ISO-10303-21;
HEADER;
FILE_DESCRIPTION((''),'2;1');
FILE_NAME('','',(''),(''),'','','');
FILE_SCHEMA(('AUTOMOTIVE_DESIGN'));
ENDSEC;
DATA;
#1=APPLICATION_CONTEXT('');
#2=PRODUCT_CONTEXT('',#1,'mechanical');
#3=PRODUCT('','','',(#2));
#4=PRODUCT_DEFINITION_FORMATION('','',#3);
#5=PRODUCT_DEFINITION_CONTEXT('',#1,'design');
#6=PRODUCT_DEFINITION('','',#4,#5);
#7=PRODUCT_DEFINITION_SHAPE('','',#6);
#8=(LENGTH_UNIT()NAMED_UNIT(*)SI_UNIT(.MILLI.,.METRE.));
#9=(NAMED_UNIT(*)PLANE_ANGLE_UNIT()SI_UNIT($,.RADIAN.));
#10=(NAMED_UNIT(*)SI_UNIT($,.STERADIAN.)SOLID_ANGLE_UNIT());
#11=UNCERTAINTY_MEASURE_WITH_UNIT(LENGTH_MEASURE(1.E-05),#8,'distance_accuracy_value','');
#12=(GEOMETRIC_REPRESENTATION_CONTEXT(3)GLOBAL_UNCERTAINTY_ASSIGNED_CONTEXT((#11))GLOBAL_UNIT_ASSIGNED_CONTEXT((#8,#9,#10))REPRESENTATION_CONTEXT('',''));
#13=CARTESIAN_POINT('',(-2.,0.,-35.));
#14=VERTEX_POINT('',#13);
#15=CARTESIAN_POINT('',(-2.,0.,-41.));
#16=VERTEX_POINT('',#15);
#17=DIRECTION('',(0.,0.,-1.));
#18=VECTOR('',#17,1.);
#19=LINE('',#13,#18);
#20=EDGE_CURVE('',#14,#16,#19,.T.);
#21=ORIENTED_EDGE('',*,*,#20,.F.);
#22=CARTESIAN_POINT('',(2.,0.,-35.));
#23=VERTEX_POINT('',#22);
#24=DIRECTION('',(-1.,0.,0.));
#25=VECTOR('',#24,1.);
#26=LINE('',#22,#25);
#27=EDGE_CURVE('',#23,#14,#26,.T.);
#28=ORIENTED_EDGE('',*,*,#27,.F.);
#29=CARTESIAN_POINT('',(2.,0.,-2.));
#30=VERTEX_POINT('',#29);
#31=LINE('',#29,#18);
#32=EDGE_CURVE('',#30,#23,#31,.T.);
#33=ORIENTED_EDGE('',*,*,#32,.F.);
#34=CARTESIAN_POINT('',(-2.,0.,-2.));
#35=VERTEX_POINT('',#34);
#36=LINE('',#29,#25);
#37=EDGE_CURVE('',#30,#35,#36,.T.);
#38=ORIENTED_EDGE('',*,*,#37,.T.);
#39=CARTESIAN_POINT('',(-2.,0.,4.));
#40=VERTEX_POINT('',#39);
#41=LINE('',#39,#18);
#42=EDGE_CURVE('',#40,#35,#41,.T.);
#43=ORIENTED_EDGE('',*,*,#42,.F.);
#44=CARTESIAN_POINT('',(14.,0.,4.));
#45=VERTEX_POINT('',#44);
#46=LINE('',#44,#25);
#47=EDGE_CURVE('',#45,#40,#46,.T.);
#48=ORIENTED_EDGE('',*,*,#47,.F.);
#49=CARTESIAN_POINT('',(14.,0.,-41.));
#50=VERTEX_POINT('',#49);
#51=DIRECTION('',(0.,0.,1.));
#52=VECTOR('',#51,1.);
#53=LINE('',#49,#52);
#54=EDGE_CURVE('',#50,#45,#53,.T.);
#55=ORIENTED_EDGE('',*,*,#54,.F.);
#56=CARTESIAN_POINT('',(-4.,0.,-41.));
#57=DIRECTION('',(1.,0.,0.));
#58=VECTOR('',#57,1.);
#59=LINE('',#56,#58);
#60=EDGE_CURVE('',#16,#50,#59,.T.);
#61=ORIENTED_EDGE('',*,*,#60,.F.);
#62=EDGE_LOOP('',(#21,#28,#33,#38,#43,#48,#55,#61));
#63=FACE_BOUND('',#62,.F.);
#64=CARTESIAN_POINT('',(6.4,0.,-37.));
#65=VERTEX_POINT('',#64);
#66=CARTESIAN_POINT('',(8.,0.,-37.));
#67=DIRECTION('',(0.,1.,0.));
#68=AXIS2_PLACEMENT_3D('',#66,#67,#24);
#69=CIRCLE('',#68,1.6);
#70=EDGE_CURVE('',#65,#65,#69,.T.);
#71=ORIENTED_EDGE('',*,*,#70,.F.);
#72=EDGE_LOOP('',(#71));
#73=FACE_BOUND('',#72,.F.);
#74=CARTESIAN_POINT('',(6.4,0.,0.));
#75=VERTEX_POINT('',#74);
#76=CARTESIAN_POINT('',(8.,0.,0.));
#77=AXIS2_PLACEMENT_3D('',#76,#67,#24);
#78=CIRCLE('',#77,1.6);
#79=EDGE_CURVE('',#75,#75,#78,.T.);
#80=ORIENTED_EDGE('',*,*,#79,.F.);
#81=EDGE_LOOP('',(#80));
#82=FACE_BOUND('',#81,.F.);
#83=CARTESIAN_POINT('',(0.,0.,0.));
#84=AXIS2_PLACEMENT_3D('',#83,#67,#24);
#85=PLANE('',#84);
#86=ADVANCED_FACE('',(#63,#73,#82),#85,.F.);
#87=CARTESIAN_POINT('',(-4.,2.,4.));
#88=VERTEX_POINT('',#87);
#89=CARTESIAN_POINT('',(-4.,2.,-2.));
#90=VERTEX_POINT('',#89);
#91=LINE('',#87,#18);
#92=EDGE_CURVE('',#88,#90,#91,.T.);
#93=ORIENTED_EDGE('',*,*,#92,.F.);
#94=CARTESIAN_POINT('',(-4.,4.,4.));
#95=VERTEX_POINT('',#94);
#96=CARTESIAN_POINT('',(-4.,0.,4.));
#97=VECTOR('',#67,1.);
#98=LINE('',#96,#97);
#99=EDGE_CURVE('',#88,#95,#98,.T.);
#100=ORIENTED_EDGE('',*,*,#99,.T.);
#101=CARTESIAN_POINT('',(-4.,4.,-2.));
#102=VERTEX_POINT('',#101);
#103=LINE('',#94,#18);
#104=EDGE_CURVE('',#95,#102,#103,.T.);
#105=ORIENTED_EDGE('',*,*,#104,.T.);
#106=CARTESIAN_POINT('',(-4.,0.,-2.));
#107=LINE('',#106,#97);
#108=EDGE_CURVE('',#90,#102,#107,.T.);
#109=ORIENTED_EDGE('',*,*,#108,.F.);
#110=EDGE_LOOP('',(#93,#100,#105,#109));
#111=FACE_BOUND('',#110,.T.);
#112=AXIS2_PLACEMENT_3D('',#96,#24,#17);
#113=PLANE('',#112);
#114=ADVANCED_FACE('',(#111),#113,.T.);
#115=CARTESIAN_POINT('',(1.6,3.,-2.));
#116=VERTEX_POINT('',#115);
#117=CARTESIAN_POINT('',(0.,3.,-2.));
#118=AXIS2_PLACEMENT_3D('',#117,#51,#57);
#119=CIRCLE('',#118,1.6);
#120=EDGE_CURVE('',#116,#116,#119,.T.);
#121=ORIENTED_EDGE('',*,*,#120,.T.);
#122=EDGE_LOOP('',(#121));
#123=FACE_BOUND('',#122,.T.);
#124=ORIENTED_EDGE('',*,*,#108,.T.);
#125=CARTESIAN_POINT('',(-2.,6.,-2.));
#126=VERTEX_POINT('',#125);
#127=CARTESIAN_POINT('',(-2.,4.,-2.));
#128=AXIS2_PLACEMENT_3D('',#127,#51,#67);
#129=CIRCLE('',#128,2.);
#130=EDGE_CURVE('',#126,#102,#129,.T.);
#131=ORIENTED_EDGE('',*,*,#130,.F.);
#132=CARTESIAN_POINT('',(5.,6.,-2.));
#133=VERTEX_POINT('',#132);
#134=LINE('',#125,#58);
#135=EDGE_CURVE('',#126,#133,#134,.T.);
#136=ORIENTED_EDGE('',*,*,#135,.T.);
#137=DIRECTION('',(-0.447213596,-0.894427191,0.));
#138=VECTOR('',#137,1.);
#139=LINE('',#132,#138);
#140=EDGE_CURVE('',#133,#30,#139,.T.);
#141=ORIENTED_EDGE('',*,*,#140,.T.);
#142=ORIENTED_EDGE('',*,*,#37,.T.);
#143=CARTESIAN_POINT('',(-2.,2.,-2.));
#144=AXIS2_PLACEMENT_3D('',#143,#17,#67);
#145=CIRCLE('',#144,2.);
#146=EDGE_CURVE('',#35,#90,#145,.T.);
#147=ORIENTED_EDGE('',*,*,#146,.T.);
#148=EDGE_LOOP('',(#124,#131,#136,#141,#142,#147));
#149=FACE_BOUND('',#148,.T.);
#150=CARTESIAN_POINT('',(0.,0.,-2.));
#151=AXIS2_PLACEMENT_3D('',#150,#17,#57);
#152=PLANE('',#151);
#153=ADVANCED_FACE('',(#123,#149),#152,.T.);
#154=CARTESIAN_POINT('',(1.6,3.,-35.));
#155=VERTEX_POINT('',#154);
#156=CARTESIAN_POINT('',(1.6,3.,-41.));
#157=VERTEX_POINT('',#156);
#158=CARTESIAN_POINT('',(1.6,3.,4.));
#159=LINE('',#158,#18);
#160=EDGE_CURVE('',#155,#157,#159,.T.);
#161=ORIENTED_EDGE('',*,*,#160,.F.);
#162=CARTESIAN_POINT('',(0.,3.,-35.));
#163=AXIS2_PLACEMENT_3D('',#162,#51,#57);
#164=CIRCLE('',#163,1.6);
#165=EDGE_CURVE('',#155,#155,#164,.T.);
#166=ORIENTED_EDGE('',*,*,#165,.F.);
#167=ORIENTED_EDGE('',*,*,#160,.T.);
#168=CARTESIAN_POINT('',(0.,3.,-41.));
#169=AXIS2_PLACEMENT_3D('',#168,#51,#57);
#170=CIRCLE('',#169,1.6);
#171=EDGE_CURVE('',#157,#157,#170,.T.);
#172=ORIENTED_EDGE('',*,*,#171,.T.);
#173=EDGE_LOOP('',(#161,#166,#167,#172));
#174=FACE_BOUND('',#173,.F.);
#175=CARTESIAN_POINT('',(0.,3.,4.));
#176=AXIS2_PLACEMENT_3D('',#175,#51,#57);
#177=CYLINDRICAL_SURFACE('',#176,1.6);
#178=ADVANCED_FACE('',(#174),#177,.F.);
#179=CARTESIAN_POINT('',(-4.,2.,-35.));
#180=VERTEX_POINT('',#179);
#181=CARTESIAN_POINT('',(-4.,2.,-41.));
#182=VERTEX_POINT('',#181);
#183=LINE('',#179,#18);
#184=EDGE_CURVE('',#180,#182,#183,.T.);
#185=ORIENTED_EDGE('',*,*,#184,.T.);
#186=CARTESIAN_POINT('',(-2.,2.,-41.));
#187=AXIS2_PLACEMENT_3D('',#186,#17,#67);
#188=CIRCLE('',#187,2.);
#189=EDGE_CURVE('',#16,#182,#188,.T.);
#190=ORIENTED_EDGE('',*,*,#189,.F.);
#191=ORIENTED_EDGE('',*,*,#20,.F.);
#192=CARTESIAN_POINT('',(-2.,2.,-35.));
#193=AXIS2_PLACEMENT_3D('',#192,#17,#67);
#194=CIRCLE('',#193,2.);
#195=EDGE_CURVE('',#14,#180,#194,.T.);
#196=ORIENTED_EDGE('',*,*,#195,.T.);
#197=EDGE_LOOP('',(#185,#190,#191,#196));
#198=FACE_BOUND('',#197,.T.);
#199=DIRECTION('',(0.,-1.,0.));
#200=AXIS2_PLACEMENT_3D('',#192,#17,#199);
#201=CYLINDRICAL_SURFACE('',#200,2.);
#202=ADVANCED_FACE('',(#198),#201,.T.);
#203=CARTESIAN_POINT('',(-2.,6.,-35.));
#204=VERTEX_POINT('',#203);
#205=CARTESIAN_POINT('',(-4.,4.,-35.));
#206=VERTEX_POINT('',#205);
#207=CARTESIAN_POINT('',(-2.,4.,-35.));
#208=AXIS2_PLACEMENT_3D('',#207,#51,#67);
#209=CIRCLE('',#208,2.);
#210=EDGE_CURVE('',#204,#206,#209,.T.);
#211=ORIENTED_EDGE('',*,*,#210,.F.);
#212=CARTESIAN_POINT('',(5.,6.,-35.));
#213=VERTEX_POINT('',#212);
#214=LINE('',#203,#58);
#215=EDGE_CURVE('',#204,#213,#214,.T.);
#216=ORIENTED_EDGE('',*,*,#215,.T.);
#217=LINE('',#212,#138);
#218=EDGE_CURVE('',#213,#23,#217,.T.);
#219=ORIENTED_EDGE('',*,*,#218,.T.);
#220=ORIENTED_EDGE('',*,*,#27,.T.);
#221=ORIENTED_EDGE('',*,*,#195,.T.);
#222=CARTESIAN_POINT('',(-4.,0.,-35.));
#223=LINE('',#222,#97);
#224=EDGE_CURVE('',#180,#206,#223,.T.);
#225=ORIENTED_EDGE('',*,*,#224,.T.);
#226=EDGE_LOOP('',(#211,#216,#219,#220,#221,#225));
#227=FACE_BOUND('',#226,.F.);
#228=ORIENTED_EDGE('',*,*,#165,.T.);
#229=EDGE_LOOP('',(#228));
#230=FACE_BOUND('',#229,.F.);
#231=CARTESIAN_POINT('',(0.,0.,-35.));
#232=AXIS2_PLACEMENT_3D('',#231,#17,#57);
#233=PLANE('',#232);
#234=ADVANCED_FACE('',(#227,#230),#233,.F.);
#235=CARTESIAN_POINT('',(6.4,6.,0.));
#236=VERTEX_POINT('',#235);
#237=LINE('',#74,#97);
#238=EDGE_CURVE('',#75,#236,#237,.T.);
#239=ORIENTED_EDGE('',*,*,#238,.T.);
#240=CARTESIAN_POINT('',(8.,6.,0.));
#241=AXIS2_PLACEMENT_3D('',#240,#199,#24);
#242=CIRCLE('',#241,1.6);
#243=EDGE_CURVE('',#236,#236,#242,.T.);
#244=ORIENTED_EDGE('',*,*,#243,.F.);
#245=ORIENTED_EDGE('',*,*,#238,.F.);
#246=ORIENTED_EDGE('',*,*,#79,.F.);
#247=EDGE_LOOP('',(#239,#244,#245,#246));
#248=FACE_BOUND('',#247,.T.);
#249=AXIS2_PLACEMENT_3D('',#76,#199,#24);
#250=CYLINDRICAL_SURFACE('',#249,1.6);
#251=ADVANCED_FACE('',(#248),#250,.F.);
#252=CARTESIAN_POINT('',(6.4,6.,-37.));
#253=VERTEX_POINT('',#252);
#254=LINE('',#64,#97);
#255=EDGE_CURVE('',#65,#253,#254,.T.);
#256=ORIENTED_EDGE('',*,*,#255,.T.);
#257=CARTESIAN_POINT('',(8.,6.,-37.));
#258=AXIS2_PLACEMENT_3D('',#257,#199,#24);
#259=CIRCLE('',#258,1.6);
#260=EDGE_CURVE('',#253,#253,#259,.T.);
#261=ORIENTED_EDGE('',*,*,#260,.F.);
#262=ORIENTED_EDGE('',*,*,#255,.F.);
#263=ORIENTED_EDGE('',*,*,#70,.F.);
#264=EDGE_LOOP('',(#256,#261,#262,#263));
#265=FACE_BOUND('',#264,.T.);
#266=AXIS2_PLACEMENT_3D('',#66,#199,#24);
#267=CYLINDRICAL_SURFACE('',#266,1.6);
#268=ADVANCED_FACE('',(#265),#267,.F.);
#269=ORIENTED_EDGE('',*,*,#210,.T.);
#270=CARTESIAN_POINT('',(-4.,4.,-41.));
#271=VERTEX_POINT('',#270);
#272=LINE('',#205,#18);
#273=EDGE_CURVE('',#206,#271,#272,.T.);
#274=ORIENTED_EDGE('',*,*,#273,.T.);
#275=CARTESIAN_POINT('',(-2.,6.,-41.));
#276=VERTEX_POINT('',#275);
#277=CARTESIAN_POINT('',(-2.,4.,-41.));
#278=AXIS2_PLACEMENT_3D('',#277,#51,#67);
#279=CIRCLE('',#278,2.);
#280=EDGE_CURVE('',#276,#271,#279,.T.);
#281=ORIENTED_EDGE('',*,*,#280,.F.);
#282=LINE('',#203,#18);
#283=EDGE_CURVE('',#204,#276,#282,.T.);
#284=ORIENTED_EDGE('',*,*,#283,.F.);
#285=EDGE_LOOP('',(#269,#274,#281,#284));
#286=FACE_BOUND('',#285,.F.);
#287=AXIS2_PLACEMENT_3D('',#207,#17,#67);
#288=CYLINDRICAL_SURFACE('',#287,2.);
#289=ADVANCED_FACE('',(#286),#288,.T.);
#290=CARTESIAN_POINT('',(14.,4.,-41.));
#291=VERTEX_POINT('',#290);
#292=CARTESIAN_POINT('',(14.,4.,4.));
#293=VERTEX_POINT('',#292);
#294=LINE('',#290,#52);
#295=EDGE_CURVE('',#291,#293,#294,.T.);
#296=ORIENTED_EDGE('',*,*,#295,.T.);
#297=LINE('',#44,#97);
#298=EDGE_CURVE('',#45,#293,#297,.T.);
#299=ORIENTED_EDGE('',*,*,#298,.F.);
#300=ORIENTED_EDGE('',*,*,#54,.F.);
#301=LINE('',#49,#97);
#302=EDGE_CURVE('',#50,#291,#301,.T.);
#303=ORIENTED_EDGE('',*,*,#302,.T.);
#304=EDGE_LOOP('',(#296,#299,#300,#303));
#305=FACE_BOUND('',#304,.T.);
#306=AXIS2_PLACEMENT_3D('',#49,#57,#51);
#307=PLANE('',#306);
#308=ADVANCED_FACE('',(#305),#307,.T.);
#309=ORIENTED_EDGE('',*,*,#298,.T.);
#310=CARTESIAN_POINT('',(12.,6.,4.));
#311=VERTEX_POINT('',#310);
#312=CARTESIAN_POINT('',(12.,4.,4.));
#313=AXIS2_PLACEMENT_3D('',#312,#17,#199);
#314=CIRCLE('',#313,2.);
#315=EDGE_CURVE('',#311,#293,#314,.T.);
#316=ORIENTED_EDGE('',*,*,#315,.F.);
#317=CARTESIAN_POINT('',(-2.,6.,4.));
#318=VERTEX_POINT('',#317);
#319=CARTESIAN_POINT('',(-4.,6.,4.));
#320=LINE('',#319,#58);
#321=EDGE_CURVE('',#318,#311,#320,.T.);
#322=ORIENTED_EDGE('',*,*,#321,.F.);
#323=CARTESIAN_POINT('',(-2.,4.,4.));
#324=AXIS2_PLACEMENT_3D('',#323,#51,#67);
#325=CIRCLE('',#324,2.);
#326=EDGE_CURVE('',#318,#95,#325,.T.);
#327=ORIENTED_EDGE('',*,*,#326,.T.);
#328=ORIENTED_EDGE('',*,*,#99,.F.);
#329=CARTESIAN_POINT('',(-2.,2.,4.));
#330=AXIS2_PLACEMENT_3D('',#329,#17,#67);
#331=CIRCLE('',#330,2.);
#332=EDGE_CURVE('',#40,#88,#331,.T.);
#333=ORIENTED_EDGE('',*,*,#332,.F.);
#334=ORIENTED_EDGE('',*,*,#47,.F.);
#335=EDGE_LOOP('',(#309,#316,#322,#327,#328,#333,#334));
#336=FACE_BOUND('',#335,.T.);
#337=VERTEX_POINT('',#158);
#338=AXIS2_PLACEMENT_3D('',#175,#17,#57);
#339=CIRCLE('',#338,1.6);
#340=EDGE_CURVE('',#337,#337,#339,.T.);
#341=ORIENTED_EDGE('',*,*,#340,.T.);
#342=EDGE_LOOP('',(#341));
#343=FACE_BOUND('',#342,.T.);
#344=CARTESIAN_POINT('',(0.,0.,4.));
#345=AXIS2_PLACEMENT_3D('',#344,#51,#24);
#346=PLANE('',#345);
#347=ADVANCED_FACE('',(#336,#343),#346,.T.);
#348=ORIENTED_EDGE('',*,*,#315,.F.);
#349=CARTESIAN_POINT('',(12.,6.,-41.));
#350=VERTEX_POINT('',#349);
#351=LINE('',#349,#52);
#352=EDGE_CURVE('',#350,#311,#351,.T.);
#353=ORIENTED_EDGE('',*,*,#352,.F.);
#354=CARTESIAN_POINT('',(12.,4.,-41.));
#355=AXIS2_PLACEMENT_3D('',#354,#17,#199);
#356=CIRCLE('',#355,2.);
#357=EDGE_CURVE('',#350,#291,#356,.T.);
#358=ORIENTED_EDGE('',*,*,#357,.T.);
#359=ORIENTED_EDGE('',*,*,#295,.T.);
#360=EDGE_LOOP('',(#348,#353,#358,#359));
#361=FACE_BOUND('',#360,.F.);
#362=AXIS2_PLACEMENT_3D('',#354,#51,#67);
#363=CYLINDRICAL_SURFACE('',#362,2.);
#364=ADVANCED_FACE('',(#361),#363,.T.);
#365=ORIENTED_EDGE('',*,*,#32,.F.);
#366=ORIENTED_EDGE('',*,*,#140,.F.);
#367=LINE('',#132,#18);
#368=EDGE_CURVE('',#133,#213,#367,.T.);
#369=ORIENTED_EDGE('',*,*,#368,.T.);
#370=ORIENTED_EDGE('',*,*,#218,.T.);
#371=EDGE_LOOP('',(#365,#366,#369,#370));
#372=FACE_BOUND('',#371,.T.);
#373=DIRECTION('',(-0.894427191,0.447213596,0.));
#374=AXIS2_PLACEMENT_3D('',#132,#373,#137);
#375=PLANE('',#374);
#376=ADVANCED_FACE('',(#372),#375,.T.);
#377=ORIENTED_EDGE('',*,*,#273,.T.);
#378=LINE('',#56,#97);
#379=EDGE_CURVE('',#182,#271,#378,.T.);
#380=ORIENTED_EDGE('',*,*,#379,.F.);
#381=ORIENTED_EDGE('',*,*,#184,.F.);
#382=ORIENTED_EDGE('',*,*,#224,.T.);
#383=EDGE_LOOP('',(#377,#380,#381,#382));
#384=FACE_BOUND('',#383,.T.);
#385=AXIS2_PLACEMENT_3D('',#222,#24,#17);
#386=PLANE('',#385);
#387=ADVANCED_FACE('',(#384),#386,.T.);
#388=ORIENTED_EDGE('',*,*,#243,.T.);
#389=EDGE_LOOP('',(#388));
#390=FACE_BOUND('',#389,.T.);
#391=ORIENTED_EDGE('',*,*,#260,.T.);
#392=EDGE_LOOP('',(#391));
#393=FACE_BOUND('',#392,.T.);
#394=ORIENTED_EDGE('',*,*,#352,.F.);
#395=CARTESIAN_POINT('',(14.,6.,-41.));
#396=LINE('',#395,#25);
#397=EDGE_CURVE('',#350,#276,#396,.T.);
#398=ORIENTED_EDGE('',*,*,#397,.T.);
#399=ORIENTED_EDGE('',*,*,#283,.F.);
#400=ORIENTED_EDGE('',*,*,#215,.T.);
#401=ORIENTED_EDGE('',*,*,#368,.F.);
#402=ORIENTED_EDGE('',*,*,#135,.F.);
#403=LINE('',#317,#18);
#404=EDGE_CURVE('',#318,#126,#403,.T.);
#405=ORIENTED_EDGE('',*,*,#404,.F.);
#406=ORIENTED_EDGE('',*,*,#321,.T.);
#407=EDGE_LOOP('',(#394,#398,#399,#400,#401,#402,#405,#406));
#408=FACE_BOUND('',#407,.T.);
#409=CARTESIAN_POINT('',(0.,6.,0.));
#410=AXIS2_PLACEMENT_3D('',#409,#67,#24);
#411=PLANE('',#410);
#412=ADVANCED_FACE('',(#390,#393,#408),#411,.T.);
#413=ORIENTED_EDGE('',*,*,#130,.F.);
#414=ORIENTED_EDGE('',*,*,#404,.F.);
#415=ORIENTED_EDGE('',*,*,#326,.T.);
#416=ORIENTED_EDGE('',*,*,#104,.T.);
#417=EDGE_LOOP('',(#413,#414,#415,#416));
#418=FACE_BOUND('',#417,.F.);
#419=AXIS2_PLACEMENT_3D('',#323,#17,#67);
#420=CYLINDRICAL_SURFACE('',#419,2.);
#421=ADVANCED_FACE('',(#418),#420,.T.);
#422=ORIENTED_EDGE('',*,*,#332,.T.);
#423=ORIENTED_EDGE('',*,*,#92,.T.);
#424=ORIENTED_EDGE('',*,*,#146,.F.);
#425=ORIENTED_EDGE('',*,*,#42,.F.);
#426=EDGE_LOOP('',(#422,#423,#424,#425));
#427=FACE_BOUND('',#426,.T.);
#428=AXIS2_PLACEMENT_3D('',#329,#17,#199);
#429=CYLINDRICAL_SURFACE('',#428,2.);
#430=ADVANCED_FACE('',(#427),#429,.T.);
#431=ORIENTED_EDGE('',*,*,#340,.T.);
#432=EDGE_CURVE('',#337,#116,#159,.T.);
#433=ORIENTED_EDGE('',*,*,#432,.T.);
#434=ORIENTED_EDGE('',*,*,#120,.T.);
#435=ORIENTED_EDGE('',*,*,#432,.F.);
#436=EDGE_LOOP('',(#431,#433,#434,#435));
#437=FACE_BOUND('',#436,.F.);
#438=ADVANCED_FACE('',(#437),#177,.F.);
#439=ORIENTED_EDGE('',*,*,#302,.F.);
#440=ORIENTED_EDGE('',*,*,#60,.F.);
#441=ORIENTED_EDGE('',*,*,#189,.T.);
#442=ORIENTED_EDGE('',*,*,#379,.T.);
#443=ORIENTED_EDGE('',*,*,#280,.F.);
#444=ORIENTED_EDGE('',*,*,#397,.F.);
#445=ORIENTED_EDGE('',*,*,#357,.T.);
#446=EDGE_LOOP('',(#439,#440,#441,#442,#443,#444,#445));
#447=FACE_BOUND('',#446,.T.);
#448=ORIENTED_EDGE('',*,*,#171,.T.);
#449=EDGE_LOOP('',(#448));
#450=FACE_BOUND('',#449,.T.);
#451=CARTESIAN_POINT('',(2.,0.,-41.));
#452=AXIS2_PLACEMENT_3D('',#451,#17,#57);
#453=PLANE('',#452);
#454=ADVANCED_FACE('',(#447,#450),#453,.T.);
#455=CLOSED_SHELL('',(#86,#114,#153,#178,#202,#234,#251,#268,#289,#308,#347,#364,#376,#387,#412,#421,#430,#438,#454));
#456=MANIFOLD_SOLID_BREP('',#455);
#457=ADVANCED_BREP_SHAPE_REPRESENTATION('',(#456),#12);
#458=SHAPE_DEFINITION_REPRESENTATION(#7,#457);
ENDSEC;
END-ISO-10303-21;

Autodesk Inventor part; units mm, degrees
ref_plane "YZ Plane" through (0, 0, 0) normal (1, 0, 0) x (0, 1, 0)
ref_plane "XZ Plane" through (0, 0, 0) normal (0, 1, 0) x (-1, 0, 0)
ref_plane "XY Plane" through (0, 0, 0) normal (0, 0, 1) x (1, 0, 0)
sketch "Эскиз1" plane through (0, 0, 0) normal (0, 1, 0) x (-1, 0, 0)
  line L0 (0, 0) -> (-8, 0)
  line L1 (-8, 0) -> (-8, -37)
  line L2 (-8, -37) -> (0, -37)
  line L3 (0, -37) -> (0, 0)
  circle A0 centre (-8, 0) radius 1.6
  line L4 (-8, -37) -> (-2, -37)
  line L5 (-2, -37) -> (-2, -41)
  line L6 (-2, -41) -> (-14, -41)
  line L7 (-14, -41) -> (-14, 4)
  line L8 (-14, 4) -> (0, 4)
  line L9 (0, 4) -> (0, 0)
  line L10 (-2, -41) -> (0, -41)
  line L11 (0, -41) -> (0, -37)
  line L12 (0, 4) -> (4, 4)
  line L13 (4, 4) -> (4, -41)
  line L14 (4, -41) -> (0, -41)
  line L15 (0, -41) -> (0, 4)
  line L16 (4, 4) -> (4, -2)
  line L17 (4, -2) -> (-2, -2)
  line L18 (-2, -2) -> (-2, -37)
  line L19 (4, -41) -> (4, -35)
  line L20 (4, -35) -> (-2, -35)
  circle A1 centre (-8, -37) radius 1.6
  dimension "d0" = 8
  dimension "d1" = 37
  dimension "d2" = 3.2
  dimension "d4" = 6
  dimension "d5" = 4
  dimension "d6" = 12
  dimension "d7" = 45
  dimension "d10" = 4
  dimension "d13" = 6
  dimension "d14" = 6
  dimension "d15" = 6
  dimension "d28" = 3.2
extrude "Выдавливание1" add sketch "Эскиз1" along normal blind 6 contours L3 L17 L18 L2 A1 L1 A0 L0 | L9 L12 L13 L17 L3 | L0 A0 L1 A1 L2 L5 L6 L7 L8 L9 | L20 L13 L14 L11 L3 | L3 L2 L18 L20 | L11 L10 L5 L2
sketch "Эскиз3" plane through (-4, 0, 4) normal (0, 0, 1) x (1, 0, 0)
  line L0 (0, 0) -> (18, 0) projected
  line L1 (0, 0) -> (4, 0)
  line L2 (4, 0) -> (4, 3)
  line L3 (4, 3) -> (0, 3)
  line L4 (0, 3) -> (0, 0)
  circle A0 centre (4, 3) radius 1.6
  dimension "d16" = 4
  dimension "d17" = 3
  dimension "d18" = 3.2
extrude "Выдавливание2" cut sketch "Эскиз3" against normal blind 45 contours A0 L3 L2 | L2 L3 A0
fillet "Сопряжение2" radius 2 5 edges at (-4, 6, 1) (-4, 6, -38) (-4, 0, -38) (-4, 0, 1) (14, 6, -18.5)
sketch "Эскиз5" plane through (2, 0, -2) normal (0, 0, -1) x (-1, 0, 0)
  line L0 (0, 0) -> (0, 6) projected
  line L1 (0, 0) -> (6.2917, 0) construction
  line L2 (0, 0) -> (-3.4641, 6)
  line L3 (-10, 6) -> (4, 6) projected
  line L4 (0, 0) -> (6.9282, 0) construction
  line L5 (0, 6) -> (-3, 6)
  line L6 (-3, 6) -> (0, 0)
  line L7 (0, 0) -> (0, 6)
  point P0 (2, 0)
  dimension "d24" = 120
  dimension "d25" = 3
extrude "Выдавливание3" cut sketch "Эскиз5" along normal blind 33 contours L6 L3 L0
properties part number "krepleniye"
